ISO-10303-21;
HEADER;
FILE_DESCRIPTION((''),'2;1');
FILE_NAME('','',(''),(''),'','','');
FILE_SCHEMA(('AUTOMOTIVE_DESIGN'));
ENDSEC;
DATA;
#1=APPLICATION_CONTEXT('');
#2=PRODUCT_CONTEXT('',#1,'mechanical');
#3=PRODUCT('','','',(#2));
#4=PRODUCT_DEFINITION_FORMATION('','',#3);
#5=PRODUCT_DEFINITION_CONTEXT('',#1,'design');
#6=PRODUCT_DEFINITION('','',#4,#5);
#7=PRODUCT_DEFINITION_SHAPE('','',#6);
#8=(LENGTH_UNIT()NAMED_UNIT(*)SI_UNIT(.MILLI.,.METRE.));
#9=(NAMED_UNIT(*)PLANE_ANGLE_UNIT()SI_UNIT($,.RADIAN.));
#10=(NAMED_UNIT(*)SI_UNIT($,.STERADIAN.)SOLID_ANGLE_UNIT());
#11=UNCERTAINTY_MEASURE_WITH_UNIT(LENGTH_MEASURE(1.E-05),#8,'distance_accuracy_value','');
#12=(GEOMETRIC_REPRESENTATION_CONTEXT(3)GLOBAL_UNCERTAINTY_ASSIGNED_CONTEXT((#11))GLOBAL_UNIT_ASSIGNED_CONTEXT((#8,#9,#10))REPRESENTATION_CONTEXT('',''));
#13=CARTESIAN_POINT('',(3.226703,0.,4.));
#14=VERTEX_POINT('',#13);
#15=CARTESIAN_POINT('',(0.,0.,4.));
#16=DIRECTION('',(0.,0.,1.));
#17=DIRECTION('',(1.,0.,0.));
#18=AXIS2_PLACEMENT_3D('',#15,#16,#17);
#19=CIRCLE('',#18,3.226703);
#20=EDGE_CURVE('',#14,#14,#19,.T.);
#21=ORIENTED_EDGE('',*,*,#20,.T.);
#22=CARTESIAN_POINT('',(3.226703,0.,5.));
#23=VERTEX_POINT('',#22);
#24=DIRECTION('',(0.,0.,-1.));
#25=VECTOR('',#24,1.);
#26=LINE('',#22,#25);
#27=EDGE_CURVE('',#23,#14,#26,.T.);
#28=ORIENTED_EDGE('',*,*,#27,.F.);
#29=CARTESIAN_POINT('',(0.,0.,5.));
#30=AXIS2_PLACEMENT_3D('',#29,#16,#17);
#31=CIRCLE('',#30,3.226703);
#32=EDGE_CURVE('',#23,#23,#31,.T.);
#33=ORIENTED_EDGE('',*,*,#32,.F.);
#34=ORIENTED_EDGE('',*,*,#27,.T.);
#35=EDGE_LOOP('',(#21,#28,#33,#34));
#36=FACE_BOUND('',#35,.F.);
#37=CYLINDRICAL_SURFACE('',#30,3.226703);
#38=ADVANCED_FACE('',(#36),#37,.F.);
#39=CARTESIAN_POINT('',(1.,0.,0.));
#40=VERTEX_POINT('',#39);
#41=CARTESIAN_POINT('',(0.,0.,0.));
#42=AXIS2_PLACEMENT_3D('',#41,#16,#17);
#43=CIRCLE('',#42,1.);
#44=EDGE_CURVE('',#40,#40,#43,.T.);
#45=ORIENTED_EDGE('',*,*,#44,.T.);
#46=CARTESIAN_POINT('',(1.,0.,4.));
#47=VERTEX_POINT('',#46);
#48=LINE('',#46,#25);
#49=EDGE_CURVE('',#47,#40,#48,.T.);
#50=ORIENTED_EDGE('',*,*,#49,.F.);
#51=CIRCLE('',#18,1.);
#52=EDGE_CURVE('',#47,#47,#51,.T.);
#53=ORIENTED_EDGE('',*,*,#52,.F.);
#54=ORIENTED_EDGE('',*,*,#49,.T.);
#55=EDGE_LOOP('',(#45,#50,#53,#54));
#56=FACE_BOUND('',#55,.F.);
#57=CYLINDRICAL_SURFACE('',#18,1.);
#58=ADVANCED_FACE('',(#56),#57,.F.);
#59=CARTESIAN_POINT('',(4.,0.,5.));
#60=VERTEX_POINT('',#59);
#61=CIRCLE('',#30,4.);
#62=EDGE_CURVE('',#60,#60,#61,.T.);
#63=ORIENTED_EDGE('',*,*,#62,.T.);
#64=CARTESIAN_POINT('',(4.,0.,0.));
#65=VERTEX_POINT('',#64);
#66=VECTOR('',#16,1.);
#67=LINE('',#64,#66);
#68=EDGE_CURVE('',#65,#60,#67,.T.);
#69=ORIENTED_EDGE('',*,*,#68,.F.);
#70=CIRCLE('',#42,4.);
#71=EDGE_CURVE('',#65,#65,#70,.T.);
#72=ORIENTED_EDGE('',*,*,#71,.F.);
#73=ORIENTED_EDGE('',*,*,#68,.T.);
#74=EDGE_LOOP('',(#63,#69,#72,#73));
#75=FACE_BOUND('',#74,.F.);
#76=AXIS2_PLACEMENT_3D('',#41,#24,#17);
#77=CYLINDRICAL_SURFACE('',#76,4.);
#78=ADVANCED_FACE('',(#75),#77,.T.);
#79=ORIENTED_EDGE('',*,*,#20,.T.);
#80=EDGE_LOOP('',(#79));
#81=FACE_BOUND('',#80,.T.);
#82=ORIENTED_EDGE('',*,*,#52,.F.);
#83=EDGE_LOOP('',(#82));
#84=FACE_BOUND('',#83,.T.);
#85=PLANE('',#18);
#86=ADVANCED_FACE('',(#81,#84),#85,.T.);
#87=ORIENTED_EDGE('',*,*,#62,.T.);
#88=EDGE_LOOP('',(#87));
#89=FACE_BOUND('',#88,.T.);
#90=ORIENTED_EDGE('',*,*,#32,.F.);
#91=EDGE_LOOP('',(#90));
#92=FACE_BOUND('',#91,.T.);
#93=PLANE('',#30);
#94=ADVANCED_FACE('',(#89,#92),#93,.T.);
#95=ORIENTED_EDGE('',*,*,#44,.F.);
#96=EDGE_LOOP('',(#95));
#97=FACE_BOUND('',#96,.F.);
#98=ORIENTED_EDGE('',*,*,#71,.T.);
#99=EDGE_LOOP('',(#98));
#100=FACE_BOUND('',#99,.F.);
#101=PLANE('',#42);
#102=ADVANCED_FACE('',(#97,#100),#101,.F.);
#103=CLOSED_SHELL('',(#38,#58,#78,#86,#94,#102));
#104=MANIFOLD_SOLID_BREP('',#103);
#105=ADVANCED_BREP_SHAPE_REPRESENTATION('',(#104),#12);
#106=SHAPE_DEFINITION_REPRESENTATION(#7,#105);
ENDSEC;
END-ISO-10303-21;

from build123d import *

# Parameters (mm, degrees)
F0_R     = 4
F1_DEPTH = 5
F2_R     = 3.226703
F3_DEPTH = 1
F4_R     = 1
F5_DEPTH = 4.001


with BuildPart() as f1:
    # F0 (on Top) → F1 (new body)
    with BuildSketch(Plane.XY):
        Circle(F0_R)
    extrude(amount=F1_DEPTH)

    # F2 (on face) → F3 (cut)
    with BuildSketch(Plane.XY.offset(5)):
        Circle(F2_R)
    extrude(amount=-F3_DEPTH, mode=Mode.SUBTRACT)

    # F4 (on face) → F5 (cut, through all)
    with BuildSketch(Plane.XY.offset(4)):
        Circle(F4_R)
    extrude(amount=-F5_DEPTH, mode=Mode.SUBTRACT)


solid = f1.part
